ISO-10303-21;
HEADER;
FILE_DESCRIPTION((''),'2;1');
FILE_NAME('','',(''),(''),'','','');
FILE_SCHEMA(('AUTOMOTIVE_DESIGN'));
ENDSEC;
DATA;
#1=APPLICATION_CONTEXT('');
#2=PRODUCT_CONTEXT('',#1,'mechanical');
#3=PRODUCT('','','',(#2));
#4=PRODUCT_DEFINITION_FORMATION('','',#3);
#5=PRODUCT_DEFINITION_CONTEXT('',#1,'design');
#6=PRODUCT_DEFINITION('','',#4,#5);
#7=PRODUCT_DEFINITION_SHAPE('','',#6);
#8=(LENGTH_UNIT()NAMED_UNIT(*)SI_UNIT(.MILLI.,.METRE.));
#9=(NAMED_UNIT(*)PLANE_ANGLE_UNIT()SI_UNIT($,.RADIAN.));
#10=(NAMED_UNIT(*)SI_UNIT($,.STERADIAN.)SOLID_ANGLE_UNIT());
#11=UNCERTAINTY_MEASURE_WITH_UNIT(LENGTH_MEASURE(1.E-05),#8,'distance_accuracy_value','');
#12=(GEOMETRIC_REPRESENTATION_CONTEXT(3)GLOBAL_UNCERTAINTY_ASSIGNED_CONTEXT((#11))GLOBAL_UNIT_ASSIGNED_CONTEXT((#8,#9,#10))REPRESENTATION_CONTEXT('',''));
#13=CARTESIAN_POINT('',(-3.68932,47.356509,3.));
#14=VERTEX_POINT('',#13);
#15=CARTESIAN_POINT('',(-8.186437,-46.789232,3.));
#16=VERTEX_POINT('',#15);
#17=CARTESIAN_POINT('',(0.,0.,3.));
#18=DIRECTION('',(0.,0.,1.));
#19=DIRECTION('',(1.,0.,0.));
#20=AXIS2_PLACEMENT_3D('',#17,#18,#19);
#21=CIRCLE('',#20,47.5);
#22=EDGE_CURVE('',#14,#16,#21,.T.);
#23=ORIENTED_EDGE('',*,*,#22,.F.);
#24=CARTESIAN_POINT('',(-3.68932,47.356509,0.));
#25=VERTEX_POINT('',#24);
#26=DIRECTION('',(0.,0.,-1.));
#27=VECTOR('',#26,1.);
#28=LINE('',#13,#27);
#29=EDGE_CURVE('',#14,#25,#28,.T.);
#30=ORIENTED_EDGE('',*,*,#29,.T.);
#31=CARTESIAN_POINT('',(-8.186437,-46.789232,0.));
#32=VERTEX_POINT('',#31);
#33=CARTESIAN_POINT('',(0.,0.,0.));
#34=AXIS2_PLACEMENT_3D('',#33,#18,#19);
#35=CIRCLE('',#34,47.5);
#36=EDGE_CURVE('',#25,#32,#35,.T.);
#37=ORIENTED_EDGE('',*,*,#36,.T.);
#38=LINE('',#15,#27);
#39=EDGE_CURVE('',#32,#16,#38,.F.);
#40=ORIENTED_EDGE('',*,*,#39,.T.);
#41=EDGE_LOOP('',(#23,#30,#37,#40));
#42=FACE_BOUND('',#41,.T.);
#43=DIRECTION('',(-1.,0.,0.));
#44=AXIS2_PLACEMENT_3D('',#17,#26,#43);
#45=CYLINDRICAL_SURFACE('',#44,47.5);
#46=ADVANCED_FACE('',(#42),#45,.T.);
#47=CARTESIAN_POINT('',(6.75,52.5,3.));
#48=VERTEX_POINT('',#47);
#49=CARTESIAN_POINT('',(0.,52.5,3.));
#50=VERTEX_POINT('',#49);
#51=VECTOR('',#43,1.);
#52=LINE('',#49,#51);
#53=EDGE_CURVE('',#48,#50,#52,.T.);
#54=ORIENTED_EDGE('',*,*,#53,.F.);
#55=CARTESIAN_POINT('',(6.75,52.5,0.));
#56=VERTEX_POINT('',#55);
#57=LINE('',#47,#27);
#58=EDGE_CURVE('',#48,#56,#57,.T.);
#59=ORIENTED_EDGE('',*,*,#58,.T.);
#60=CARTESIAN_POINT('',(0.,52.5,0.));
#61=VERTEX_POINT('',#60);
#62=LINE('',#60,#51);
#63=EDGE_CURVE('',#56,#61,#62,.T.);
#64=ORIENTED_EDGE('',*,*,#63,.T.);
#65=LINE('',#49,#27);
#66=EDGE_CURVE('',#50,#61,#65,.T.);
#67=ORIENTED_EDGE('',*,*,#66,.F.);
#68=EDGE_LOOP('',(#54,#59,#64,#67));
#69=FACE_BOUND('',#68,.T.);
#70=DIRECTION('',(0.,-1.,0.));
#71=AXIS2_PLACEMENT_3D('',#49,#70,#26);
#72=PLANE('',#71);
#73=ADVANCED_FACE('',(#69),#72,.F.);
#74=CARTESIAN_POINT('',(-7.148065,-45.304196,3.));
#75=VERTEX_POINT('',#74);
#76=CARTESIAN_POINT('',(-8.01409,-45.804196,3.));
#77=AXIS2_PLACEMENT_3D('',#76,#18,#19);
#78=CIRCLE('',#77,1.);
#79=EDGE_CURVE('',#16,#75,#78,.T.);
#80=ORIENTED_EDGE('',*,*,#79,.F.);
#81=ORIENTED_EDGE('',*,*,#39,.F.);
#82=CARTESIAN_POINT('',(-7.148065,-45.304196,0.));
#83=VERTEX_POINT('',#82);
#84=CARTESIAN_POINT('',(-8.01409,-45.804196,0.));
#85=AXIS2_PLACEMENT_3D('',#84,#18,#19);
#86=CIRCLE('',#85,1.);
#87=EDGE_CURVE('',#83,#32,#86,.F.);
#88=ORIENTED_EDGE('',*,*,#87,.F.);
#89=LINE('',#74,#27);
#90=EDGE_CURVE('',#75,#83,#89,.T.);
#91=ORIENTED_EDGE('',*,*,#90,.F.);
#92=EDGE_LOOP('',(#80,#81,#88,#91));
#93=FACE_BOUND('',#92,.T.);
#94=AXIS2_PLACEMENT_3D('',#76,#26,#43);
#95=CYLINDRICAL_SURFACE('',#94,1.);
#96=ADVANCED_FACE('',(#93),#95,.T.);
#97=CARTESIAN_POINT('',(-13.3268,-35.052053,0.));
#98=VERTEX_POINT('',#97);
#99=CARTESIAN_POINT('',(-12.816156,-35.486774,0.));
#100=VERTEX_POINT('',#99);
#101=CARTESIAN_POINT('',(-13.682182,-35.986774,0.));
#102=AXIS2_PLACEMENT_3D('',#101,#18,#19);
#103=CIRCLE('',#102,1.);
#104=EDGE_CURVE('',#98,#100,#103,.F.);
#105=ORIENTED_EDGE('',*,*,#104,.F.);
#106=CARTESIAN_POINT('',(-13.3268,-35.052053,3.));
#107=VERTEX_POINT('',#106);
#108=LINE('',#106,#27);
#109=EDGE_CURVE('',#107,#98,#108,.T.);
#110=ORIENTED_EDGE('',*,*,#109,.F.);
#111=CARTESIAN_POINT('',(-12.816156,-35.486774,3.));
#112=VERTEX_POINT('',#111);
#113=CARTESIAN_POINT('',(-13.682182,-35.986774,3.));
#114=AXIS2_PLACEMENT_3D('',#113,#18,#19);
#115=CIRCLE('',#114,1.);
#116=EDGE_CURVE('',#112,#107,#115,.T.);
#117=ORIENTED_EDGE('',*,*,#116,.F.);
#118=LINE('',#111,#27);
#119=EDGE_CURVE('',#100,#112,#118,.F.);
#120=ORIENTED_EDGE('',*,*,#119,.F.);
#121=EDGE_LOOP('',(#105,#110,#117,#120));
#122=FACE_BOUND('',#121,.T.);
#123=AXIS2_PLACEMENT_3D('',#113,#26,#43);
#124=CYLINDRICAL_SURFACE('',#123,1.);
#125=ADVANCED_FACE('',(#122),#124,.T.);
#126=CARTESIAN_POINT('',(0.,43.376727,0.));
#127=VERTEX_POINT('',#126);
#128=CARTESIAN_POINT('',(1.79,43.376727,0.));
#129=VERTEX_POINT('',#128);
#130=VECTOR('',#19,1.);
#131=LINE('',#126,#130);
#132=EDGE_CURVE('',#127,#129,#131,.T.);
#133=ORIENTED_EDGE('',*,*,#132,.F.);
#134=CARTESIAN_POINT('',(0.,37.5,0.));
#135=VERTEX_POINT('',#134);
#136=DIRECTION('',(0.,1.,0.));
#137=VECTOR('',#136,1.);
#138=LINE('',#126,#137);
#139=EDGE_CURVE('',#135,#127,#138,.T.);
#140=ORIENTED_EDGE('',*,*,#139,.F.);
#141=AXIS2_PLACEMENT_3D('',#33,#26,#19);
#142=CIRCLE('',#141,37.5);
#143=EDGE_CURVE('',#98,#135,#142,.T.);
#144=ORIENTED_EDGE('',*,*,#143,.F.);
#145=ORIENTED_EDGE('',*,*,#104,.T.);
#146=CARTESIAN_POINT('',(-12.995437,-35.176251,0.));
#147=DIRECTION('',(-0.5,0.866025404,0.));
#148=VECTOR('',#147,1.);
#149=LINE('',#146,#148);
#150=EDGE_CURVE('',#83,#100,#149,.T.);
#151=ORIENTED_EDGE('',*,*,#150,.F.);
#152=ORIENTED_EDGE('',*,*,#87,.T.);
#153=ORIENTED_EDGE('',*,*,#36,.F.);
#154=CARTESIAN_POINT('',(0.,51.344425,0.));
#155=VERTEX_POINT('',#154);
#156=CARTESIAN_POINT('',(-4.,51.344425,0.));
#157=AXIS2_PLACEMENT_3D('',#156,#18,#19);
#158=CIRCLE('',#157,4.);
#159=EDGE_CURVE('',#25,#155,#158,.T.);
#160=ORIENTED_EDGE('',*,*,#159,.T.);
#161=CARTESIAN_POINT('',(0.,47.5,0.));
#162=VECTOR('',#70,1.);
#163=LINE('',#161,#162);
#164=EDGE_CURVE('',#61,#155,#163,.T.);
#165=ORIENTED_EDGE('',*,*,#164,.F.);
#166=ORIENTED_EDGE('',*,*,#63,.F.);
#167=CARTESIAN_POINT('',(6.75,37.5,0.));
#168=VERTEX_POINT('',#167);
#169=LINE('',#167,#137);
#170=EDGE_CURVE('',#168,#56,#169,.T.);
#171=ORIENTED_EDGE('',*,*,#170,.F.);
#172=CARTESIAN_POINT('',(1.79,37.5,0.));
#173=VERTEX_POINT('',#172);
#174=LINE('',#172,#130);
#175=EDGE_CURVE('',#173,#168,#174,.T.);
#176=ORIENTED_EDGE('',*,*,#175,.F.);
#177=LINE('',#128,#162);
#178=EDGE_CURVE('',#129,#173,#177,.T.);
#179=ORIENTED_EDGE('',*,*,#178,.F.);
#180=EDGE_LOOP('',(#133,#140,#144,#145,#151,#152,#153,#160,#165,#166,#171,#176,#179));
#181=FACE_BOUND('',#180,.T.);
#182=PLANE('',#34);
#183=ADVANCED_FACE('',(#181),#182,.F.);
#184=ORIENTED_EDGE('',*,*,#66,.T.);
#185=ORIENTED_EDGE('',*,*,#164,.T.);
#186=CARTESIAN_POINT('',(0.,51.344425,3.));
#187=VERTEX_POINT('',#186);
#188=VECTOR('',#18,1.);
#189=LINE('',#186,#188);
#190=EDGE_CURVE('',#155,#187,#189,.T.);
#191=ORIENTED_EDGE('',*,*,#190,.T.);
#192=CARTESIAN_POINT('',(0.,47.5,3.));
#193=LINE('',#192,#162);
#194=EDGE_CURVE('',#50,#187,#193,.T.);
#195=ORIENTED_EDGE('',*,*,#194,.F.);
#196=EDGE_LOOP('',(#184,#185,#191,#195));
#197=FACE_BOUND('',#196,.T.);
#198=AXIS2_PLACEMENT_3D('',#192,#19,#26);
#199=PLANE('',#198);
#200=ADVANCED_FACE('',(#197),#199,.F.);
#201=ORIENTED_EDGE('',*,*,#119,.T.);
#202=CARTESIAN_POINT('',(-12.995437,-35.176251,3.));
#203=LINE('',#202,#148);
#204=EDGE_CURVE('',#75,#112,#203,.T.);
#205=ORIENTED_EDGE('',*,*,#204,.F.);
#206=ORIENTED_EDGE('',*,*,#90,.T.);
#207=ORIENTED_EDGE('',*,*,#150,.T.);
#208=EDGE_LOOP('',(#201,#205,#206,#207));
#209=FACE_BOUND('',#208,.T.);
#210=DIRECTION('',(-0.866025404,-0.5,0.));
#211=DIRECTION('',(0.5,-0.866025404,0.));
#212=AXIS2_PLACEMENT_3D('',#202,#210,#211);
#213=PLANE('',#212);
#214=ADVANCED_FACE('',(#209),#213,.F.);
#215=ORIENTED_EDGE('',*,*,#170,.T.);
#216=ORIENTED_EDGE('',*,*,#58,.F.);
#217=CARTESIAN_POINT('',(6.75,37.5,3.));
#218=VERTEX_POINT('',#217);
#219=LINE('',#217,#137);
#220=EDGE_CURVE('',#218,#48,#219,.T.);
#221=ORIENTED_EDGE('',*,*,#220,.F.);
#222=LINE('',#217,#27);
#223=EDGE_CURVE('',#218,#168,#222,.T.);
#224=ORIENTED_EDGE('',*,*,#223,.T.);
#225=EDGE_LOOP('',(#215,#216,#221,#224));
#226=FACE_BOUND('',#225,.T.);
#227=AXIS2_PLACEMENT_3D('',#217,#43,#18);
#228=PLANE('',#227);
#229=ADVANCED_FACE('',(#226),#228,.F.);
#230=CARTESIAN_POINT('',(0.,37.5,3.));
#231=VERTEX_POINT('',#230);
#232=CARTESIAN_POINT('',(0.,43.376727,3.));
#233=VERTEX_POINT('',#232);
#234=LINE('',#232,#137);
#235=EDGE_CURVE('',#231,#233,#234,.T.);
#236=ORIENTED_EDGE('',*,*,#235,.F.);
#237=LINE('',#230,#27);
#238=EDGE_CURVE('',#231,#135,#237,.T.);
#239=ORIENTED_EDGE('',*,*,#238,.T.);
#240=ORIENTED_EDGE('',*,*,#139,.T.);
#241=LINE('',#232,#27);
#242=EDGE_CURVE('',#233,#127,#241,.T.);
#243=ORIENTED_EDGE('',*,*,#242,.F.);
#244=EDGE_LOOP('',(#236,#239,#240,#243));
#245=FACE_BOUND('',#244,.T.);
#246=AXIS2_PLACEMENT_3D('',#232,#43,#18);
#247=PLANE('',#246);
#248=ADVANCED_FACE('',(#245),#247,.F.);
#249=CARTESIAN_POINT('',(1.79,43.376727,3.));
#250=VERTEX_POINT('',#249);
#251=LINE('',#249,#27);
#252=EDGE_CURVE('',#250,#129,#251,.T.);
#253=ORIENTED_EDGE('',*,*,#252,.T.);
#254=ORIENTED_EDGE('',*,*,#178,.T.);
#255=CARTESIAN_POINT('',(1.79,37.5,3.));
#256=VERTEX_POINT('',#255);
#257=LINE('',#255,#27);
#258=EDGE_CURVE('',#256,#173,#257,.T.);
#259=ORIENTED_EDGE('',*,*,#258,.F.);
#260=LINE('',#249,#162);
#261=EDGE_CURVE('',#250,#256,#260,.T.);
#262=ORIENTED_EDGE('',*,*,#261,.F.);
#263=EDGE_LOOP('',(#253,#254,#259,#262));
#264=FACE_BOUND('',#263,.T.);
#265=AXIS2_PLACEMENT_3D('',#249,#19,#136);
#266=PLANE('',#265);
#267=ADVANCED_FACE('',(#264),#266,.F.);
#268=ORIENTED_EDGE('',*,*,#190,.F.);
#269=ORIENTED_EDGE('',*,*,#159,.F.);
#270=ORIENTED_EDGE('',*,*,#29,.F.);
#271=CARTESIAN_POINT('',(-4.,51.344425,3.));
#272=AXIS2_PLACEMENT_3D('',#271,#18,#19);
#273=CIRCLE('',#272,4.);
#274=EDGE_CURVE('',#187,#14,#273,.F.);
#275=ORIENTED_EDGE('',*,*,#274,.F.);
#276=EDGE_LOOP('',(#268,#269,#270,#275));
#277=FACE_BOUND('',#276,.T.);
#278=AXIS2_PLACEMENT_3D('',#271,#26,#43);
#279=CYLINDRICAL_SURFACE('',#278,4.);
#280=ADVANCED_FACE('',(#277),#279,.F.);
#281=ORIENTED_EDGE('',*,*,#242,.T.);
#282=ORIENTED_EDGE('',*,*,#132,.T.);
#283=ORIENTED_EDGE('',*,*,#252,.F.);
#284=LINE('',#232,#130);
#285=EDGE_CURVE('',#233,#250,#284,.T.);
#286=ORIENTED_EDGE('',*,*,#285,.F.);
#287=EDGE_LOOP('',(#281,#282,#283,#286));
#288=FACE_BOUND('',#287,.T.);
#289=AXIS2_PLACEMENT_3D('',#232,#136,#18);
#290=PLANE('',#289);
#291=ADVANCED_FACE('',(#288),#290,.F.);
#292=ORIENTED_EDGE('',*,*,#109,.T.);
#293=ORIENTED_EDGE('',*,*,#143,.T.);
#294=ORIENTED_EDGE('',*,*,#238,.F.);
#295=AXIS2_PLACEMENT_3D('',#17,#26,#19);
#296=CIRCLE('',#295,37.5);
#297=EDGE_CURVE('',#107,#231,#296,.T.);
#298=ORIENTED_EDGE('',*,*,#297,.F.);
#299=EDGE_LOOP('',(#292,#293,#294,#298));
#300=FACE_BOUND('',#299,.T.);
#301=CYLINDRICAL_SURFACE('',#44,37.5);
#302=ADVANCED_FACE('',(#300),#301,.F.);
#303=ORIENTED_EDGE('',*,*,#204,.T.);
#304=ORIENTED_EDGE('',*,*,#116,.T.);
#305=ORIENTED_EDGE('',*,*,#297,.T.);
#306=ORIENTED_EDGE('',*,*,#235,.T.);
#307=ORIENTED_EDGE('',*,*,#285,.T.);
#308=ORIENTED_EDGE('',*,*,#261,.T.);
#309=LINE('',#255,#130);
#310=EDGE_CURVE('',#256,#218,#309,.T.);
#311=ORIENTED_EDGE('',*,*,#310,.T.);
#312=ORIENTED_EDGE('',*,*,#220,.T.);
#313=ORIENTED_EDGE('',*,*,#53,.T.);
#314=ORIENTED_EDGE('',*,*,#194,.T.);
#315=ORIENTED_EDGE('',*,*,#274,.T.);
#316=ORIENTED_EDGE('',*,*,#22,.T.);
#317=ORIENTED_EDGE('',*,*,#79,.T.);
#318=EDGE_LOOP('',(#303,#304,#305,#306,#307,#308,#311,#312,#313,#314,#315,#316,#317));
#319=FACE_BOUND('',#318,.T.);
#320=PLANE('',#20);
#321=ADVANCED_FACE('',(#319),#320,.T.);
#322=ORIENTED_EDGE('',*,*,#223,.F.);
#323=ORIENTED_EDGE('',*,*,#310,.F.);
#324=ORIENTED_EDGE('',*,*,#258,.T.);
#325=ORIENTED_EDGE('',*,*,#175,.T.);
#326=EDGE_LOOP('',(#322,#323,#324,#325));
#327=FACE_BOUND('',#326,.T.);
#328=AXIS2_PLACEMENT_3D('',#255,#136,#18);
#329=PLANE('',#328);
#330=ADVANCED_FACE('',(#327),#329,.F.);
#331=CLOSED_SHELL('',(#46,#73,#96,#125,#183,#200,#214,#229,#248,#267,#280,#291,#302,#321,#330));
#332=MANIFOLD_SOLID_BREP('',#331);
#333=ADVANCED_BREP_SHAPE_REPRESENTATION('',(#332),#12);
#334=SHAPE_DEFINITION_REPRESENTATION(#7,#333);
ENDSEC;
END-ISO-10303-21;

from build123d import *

# Parameters (mm, degrees)
BOSS_EXTRUDE1_DEPTH = 3
FILLET1_R           = 4
FILLET2_R           = 1
FILLET3_R           = 1


with BuildPart() as part:
    # Sketch1 → Boss-Extrude1 (new body)
    with BuildSketch(Plane.XY):
        with BuildLine():
            Line((0, 43.376726626), (0, 37.5))
            ThreePointArc((0, 37.5), (-36.914491769, 6.600780063), (-12.99543687, -35.176250803))
            Line((-12.99543687, -35.176250803), (-6.107994139, -47.105651546))
            ThreePointArc((-6.107994139, -47.105651546), (-47.401310364, 3.060355499), (0, 47.5))
            Line((0, 47.5), (0, 52.5))
            Line((0, 52.5), (6.75, 52.5))
            Line((6.75, 52.5), (6.75, 37.5))
            Line((6.75, 37.5), (1.79, 37.5))
            Line((1.79, 37.5), (1.79, 43.376726626))
            Line((1.79, 43.376726626), (0, 43.376726626))
        make_face()
    extrude(amount=BOSS_EXTRUDE1_DEPTH)

    # Fillet1
    fillet1_edges = [part.edges().sort_by_distance(p)[0] for p in [
        (0, 47.5, 1.5),
    ]]
    fillet(fillet1_edges, radius=FILLET1_R)

    # Fillet2
    fillet2_edges = [part.edges().sort_by_distance(p)[0] for p in [
        (-12.99543687, -35.176250803, 1.5),
    ]]
    fillet(fillet2_edges, radius=FILLET2_R)

    # Fillet3
    fillet3_edges = [part.edges().sort_by_distance(p)[0] for p in [
        (-6.107994139, -47.105651546, 1.5),
    ]]
    fillet(fillet3_edges, radius=FILLET3_R)


solid = part.part
